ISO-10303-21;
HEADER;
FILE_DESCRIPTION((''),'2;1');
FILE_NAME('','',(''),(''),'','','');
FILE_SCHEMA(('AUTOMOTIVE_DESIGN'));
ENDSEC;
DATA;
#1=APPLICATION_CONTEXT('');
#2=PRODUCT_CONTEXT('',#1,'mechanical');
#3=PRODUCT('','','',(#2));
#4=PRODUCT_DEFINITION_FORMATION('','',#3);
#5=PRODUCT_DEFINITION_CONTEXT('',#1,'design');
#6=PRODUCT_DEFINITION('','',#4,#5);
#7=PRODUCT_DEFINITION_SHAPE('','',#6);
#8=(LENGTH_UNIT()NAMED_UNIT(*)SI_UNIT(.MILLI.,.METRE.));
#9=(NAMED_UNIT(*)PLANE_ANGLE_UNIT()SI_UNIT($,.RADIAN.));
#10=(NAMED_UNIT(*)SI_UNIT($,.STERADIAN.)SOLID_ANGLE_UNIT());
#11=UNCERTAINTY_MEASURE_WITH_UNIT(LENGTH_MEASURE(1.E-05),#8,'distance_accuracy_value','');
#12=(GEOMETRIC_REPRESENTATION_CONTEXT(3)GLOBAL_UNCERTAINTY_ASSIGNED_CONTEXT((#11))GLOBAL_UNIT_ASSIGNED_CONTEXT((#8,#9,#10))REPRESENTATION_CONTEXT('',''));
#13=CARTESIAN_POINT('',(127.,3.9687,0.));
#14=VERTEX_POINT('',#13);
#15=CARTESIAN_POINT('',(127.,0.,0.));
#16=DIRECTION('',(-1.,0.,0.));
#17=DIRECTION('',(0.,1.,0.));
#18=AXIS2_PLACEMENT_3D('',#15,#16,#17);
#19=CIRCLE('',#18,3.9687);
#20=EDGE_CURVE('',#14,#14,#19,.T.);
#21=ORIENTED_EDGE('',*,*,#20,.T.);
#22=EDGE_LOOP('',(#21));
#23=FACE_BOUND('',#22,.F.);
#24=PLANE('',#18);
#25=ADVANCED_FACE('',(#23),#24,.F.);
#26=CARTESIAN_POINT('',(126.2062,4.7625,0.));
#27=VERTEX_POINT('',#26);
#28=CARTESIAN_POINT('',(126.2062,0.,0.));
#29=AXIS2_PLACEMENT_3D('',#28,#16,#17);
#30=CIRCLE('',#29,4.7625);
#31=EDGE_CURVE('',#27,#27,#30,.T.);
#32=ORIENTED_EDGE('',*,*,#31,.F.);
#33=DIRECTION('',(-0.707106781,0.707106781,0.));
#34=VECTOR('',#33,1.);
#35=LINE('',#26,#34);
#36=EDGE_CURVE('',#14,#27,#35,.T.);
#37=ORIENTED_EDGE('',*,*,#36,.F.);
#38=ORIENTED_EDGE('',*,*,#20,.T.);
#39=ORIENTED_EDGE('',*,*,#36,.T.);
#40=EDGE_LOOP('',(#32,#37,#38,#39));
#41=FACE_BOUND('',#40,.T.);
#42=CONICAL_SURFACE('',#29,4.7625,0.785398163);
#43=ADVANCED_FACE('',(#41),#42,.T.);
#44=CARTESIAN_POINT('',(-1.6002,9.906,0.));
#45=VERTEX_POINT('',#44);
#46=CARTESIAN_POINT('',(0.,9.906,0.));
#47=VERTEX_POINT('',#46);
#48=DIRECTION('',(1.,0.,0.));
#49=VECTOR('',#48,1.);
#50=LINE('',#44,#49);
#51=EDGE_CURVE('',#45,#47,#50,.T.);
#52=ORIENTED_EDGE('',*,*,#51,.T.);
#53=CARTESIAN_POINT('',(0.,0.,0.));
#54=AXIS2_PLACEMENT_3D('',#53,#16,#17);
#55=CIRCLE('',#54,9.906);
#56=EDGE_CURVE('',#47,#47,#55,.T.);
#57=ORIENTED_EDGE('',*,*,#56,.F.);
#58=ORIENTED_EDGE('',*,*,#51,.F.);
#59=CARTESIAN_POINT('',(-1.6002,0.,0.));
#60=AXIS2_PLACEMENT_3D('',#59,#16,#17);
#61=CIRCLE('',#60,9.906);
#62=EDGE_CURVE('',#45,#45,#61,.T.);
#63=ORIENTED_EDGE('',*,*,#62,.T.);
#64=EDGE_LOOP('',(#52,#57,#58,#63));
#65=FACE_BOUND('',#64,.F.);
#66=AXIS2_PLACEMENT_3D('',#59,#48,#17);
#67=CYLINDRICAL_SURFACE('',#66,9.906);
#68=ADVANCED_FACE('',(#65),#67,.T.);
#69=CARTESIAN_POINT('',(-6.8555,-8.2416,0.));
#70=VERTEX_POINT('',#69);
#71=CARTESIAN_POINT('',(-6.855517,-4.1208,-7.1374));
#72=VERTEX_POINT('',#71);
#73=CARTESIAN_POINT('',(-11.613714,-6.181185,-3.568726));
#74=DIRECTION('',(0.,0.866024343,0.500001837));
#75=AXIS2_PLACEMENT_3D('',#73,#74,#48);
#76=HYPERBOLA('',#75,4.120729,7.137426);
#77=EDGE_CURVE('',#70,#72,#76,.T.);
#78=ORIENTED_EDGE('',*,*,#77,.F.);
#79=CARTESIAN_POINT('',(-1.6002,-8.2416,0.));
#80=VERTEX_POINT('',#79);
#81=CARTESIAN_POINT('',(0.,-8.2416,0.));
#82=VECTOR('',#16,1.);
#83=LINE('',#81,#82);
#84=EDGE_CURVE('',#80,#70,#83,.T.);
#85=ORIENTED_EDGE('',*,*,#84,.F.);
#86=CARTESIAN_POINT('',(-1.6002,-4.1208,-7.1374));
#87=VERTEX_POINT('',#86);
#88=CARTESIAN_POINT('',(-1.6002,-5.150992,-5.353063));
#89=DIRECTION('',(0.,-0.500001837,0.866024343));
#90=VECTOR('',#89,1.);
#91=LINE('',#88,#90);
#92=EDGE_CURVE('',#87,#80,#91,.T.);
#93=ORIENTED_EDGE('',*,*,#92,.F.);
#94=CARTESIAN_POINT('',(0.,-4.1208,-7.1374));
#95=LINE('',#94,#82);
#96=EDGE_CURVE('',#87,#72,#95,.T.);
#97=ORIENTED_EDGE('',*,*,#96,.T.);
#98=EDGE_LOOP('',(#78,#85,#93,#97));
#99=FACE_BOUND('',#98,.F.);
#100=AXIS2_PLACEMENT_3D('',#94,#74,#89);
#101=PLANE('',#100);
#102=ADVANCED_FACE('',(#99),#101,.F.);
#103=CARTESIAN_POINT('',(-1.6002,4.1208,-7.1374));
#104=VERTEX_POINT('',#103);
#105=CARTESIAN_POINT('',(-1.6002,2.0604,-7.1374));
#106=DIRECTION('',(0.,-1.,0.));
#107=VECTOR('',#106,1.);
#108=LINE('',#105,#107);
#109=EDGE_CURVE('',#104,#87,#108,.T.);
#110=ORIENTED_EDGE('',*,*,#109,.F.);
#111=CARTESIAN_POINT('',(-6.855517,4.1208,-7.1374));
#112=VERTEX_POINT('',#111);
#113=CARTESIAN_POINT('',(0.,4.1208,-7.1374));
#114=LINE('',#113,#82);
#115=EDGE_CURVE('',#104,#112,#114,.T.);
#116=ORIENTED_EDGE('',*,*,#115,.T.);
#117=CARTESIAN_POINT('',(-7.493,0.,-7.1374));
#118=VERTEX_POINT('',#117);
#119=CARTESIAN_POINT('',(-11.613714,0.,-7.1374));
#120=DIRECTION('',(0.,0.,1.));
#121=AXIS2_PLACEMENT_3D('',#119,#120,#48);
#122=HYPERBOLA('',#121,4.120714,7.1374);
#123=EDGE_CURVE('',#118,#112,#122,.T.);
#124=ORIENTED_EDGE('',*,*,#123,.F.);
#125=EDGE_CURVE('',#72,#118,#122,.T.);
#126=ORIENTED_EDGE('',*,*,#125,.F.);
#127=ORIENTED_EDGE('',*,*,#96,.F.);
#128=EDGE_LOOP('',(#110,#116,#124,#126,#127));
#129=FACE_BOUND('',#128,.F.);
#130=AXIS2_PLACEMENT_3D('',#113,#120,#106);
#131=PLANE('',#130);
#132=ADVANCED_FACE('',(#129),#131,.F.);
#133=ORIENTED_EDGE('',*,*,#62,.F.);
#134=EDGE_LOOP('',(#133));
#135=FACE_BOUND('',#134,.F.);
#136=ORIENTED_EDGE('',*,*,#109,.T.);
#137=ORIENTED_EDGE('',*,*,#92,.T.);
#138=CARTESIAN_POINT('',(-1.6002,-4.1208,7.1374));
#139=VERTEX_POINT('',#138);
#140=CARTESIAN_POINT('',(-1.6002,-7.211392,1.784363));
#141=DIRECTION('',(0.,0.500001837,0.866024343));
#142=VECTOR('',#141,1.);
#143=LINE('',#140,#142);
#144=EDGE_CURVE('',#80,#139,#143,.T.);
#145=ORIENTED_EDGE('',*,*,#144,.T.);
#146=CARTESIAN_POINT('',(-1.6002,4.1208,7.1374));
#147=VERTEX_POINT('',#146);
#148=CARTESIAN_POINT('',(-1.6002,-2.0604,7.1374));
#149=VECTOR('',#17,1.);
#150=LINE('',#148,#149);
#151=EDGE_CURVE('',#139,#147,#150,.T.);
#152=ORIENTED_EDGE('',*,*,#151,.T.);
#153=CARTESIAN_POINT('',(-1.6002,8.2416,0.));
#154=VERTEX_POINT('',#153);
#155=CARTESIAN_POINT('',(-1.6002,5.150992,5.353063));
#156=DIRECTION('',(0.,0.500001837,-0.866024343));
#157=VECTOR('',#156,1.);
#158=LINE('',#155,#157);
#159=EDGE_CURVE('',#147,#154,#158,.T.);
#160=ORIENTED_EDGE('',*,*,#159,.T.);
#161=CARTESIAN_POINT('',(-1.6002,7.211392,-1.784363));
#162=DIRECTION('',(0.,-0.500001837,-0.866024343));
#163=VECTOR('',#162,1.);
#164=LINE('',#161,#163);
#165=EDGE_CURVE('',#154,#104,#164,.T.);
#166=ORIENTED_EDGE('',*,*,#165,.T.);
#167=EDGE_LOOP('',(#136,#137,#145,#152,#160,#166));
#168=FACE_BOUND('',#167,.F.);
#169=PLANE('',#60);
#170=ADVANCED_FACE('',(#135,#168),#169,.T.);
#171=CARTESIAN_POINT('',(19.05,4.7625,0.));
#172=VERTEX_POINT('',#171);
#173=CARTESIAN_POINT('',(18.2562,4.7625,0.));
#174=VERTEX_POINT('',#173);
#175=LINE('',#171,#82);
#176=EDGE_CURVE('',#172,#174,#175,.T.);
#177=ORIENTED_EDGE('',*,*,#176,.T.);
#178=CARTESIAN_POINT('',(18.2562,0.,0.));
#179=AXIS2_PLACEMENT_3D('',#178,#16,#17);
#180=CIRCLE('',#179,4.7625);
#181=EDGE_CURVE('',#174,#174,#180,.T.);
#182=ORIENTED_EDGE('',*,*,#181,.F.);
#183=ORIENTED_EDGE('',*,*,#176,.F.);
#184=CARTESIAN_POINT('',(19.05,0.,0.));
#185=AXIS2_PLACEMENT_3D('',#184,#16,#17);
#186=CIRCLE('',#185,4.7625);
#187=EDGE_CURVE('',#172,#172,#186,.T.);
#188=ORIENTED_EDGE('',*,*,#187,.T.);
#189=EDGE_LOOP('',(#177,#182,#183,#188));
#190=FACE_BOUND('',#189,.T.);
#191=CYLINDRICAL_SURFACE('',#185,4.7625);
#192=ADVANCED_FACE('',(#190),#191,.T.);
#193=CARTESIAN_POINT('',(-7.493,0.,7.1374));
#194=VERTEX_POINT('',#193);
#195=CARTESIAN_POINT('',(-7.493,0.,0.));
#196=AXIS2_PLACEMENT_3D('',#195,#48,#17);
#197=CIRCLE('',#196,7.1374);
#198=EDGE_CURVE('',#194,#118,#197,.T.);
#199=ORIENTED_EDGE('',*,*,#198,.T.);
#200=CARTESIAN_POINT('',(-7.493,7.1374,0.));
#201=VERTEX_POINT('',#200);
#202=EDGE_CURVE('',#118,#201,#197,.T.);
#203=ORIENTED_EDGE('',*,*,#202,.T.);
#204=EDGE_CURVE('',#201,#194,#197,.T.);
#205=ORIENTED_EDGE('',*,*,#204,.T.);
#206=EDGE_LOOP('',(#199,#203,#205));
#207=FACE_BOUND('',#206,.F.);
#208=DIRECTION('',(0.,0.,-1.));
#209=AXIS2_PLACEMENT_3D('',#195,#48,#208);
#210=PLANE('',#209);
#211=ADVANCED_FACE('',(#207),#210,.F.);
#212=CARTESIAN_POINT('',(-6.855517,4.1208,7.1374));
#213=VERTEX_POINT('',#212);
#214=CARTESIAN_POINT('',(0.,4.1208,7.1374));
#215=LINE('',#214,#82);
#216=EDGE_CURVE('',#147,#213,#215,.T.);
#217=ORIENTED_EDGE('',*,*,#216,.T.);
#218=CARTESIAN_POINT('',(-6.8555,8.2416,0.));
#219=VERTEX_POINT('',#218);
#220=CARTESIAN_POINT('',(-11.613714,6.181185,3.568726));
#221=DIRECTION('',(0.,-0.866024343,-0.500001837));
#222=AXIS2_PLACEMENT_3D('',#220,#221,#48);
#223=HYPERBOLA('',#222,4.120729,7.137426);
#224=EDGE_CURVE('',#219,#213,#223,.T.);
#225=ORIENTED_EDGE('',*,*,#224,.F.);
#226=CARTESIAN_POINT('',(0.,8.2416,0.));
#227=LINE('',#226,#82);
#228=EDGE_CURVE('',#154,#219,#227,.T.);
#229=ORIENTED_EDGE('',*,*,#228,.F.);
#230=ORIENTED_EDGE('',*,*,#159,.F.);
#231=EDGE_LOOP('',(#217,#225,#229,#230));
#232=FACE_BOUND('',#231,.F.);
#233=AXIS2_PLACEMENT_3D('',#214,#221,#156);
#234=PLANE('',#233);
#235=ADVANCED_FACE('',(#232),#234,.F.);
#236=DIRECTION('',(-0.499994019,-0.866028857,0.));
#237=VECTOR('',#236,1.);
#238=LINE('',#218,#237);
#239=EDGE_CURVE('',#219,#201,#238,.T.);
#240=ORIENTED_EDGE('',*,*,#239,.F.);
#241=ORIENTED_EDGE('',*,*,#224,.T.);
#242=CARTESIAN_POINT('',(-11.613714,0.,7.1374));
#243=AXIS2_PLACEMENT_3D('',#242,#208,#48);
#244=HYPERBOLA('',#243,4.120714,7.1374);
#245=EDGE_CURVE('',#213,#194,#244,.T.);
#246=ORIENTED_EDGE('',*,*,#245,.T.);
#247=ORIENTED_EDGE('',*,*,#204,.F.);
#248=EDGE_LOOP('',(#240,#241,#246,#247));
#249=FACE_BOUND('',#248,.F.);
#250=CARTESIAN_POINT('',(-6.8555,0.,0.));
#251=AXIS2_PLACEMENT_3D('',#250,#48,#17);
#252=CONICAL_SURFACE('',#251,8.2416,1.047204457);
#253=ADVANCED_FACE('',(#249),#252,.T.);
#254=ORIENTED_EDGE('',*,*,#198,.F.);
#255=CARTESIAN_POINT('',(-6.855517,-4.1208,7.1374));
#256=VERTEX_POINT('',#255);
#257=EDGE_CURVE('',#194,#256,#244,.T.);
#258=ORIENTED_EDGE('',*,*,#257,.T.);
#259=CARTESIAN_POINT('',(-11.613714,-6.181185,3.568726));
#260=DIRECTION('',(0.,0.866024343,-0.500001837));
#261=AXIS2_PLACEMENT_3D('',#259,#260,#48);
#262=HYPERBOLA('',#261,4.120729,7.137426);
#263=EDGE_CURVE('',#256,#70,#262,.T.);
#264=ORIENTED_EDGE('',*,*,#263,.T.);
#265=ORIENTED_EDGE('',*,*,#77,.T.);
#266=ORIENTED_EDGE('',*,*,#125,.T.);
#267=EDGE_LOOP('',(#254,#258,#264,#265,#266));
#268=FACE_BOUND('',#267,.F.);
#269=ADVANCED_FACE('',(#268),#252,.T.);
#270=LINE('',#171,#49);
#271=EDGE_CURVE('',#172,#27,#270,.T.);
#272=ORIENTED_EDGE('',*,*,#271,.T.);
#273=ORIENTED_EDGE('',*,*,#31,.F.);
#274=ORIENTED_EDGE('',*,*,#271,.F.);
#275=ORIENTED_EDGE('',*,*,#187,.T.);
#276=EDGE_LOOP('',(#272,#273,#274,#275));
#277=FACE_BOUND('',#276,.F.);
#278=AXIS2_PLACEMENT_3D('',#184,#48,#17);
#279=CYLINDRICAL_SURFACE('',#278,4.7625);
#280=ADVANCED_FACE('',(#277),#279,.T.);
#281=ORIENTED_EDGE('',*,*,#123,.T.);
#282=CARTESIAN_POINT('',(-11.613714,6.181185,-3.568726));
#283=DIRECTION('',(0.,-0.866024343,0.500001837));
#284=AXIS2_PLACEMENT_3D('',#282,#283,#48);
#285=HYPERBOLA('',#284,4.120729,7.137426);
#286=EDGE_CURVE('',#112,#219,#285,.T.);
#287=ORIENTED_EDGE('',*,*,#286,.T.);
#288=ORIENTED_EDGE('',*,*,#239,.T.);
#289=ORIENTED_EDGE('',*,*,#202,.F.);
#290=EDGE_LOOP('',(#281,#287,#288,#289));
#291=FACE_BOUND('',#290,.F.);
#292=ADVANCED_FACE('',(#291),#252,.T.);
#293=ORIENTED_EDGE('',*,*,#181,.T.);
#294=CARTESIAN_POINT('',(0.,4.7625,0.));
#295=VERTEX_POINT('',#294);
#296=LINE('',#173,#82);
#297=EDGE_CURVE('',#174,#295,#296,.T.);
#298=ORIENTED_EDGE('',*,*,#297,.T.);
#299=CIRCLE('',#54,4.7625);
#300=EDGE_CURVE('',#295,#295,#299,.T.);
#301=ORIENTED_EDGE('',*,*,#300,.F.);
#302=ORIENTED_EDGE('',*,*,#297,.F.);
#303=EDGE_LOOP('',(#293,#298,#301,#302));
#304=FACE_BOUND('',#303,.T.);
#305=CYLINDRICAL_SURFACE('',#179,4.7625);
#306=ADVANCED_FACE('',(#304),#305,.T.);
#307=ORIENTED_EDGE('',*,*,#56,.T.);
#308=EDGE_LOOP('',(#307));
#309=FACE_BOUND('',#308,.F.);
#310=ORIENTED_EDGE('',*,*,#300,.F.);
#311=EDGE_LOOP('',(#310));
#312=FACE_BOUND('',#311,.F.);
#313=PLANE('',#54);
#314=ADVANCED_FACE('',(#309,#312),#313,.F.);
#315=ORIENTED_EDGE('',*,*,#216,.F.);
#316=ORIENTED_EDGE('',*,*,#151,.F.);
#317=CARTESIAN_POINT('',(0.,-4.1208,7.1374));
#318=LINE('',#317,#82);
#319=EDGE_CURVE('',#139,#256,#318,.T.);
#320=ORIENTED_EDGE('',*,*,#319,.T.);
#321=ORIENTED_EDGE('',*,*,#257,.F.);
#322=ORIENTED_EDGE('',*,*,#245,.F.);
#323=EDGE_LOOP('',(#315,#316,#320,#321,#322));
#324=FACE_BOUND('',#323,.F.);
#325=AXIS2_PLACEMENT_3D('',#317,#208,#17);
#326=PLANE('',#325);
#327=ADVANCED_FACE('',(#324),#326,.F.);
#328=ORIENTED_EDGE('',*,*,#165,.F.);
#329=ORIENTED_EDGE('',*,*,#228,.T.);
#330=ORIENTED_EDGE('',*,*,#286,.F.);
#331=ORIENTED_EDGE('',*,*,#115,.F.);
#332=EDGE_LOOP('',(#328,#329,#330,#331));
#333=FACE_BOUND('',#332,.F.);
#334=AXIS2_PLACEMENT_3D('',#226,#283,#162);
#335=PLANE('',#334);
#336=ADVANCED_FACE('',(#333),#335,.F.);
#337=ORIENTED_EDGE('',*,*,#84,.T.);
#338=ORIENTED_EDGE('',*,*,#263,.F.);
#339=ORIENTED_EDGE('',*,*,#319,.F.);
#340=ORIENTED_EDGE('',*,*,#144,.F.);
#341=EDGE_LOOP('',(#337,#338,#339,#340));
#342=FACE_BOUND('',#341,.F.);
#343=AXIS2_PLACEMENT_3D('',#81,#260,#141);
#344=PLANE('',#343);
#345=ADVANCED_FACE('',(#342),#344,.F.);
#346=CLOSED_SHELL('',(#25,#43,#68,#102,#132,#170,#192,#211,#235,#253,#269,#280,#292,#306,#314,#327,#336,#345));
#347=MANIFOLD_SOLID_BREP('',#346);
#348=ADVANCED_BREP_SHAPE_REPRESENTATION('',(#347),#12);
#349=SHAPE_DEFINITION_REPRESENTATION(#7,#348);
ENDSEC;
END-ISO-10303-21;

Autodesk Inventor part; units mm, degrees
ref_plane "YZ Plane" through (0, 0, 0) normal (1, 0, 0) x (0, 1, 0)
ref_plane "XZ Plane" through (0, 0, 0) normal (0, 1, 0) x (-1, 0, 0)
sketch "Sketch1" plane through (0, 0, 0) normal (0, 0, 1) x (1, 0, 0)
  line L0 (0, 9.906) -> (0, 4.7625)
  line L1 (19.05, 4.7625) -> (127, 4.7625)
  line L2 (127, 4.7625) -> (127, 0)
  line L3 (127, 0) -> (-1.6002, 0)
  line L4 (0, -1.9812) -> (0, 11.8872) projected
  line L5 (-27.3202, 0) -> (152.72, 0) projected
  line L6 (-1.6002, 0) -> (-1.6002, 9.906)
  line L7 (-1.6002, 9.906) -> (0, 9.906)
  line L8 (19.05, 4.7625) -> (18.2562, 4.7625)
  line L9 (18.2562, 4.7625) -> (0, 4.7625)
  dimension "d0" = 127
  dimension "d1" = 107.95
  dimension "d2" = 9.525
  dimension "d8" = 1.6002
  dimension "d9" = 19.812
  dimension "d15" = 9.525
  dimension "d16" = 0.7937
revolve "Body" add sketch "Sketch1" angle 360 about axis through (127, 0, 0) along (-1, 0, 0)
sketch "Sketch2" plane through (0, 0, 0) normal (1, 0, 0) x (0, 0, -1)
  circle A0 centre (0, 0) radius 9.906 projected
  line L0 (0, 8.2416) -> (7.1374, 4.1208)
  line L1 (7.1374, 4.1208) -> (7.1374, -4.1208)
  line L2 (7.1374, -4.1208) -> (0, -8.2416)
  line L3 (0, -8.2416) -> (-7.1374, -4.1208)
  line L4 (-7.1374, -4.1208) -> (-7.1374, 4.1208)
  line L5 (-7.1374, 4.1208) -> (0, 8.2416)
  circle A1 centre (0, 0) radius 9.906 projected
  dimension "d10" = 14.2748
extrude "Head" add sketch "Sketch2" against normal blind 7.493 contours L0 L1 L2 L3 L4 L5
sketch "Sketch3" plane through (0, 0, 0) normal (0, 0, 1) x (1, 0, 0)
  line L0 (-7.493, 7.1374) -> (-7.493, 8.2416)
  line L1 (-7.493, 8.2416) -> (-6.8555, 8.2416)
  line L2 (-6.8555, 8.2416) -> (-7.493, 7.1374)
  line L3 (-2.8347, 8.2416) -> (-7.493, 8.2416)
  line L4 (-7.493, 8.2416) -> (-7.493, 5.9322)
  line L5 (-1.6002, 8.2416) -> (-7.493, 8.2416) projected
  line L6 (-7.493, 8.2416) -> (-7.493, 4.1208) projected
  line L7 (-8.6716, 0) -> (-0.4216, 0) projected
  dimension "d5" = 30
  dimension "d18" = 14.2748
revolve "Chamfer1" cut sketch "Sketch3" angle 360 about axis through (-10, 0, 0) along (1, 0, 0)
thread "Thread" size "3/8-16 UNC" class "2A" standard "ANSI Unified Screw Threads" length 107.95
chamfer "Chamfer2" distance 0.7938 distance2 0.7938 1 edges at (127, -4.7625, 0) measured on face at (127, -1.1883, 1.0527)
ref_plane "Work Plane1" through (3.5, 0, 0) normal (0, 0, 1) x (1, 0, 0)
equation "\"d0\" = NLG"
equation "\"d1\" = GEL"
equation "\"d2\" = GD"
equation "\"d8\" = PHH"
equation "\"d9\" = LADI"
equation "\"d15\" = BDM"
equation "\"d16\" = GAL"
equation "\"d10\" = SW"
equation "\"d3\" = KOH"
equation "\"d13\" = GEL"
equation "\"d6\" = -0.5 * SPD + 0.5 * GD"
equation "\"d7\" = -0.5 * SPD + 0.5 * GD"
equation "\"d5\" = ANG1"
equation "\"d18\" = SW0"
equation "\"NLG\" = 127"
equation "\"GD\" = NND"
equation "\"BDM\" = NND"
equation "\"KOH\" = 7.493"
equation "\"GEL\" = 107.95"
equation "\"LADI\" = 19.812"
equation "\"SW\" = 14.2748"
equation "\"PHH\" = 1.6002"
equation "\"SW0\" = 14.2748"
equation "\"SPD\" = GD1"
equation "\"ANG1\" = 30deg"
equation "\"GAL\" = 0.79375"
equation "\"GUL\" = GAL"
equation "\"GD1\" = 7.9375"
equation "\"THREADDIA\" = 9.525"
equation "\"SDH\" = SW"
equation "\"TOA\" = 30deg"
equation "\"RR\" = 0.09525"
equation "\"NND\" = 9.525"
equation "\"SD\" = 0"
equation "\"SD2\" = NND"
equation "\"E0\" = 16.48739"
properties part number "ANSI B18.6.3 - 3/8-16 UNC x 5, PHWHMSI" material "Steel, Mild"
